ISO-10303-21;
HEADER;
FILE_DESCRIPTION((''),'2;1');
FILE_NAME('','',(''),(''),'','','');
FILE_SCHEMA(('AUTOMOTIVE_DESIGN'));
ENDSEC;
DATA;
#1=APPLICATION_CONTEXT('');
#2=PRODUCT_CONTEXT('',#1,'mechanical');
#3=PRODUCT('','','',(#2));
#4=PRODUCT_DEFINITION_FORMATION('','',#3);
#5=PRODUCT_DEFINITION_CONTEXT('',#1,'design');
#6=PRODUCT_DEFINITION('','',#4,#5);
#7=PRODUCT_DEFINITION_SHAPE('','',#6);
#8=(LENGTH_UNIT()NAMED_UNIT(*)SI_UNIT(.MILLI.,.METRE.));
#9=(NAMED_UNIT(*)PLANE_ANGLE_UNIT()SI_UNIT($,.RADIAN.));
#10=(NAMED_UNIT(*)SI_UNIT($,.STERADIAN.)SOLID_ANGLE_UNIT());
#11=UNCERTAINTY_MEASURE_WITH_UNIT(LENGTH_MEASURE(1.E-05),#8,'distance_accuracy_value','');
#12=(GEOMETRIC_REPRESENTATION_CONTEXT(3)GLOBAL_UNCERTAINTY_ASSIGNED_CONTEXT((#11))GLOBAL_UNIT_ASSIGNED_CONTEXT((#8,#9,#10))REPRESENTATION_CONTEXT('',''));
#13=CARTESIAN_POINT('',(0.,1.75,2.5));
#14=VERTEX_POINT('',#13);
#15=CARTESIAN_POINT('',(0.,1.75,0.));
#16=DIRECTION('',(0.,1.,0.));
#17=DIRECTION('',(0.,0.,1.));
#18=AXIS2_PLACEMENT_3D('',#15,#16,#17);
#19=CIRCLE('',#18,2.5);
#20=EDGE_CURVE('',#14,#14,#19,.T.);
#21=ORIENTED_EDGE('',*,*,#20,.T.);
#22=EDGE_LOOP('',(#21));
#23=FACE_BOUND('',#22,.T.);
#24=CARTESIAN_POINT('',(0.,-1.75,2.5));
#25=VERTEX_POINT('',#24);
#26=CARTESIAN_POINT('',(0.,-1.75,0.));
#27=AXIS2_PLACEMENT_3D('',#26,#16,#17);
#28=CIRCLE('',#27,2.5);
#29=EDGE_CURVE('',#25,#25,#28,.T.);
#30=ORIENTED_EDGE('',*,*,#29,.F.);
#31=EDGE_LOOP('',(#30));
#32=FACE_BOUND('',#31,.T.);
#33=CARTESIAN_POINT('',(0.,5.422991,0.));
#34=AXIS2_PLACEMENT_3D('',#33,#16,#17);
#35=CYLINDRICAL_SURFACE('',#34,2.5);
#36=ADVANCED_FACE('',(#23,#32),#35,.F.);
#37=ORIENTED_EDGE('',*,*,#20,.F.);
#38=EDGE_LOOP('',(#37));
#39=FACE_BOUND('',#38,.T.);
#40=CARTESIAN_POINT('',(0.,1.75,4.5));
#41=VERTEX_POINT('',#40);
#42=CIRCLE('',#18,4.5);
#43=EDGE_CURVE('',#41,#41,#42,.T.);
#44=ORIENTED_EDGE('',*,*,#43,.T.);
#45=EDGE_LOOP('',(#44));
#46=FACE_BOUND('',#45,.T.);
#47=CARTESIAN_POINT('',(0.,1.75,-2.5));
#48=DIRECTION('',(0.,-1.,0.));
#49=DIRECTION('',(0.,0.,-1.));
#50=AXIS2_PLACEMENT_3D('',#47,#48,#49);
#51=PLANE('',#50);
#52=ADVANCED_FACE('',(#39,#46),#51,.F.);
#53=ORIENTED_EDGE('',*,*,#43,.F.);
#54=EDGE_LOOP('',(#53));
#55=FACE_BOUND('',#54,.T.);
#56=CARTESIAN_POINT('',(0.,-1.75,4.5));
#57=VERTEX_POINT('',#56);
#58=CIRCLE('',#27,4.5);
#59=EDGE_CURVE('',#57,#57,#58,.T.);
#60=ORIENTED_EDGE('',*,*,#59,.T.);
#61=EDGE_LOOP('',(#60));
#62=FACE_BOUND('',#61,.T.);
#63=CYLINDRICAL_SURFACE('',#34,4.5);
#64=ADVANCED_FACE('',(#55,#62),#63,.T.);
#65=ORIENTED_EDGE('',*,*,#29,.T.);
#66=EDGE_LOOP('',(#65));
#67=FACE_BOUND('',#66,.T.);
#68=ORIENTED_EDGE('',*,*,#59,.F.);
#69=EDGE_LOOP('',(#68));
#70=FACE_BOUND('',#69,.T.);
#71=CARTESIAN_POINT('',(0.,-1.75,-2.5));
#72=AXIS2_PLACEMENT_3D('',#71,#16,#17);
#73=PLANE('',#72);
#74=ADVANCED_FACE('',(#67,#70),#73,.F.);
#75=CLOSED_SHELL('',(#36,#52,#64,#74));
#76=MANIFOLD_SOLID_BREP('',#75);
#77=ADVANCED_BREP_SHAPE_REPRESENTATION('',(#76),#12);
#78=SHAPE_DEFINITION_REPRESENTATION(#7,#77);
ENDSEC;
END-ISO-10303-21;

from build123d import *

# Parameters (mm, degrees)
SKETCH1_W = 2
SKETCH1_H = 3.5


with BuildPart() as part:
    # Sketch1 → Revolve1 (revolve)
    with BuildSketch(Plane(origin=(0, 0, 0), x_dir=(0, 0, -1), z_dir=(1, 0, 0)), mode=Mode.PRIVATE) as revolve1_sk:
        with Locations((3.5, 0)):
            Rectangle(SKETCH1_W, SKETCH1_H)
    revolve(revolve1_sk.sketch.rotate(Axis((0, 5.422990698, 0), (0, -1, 0)), 180), axis=Axis((0, 5.422990698, 0), (0, -1, 0)))


solid = part.part
